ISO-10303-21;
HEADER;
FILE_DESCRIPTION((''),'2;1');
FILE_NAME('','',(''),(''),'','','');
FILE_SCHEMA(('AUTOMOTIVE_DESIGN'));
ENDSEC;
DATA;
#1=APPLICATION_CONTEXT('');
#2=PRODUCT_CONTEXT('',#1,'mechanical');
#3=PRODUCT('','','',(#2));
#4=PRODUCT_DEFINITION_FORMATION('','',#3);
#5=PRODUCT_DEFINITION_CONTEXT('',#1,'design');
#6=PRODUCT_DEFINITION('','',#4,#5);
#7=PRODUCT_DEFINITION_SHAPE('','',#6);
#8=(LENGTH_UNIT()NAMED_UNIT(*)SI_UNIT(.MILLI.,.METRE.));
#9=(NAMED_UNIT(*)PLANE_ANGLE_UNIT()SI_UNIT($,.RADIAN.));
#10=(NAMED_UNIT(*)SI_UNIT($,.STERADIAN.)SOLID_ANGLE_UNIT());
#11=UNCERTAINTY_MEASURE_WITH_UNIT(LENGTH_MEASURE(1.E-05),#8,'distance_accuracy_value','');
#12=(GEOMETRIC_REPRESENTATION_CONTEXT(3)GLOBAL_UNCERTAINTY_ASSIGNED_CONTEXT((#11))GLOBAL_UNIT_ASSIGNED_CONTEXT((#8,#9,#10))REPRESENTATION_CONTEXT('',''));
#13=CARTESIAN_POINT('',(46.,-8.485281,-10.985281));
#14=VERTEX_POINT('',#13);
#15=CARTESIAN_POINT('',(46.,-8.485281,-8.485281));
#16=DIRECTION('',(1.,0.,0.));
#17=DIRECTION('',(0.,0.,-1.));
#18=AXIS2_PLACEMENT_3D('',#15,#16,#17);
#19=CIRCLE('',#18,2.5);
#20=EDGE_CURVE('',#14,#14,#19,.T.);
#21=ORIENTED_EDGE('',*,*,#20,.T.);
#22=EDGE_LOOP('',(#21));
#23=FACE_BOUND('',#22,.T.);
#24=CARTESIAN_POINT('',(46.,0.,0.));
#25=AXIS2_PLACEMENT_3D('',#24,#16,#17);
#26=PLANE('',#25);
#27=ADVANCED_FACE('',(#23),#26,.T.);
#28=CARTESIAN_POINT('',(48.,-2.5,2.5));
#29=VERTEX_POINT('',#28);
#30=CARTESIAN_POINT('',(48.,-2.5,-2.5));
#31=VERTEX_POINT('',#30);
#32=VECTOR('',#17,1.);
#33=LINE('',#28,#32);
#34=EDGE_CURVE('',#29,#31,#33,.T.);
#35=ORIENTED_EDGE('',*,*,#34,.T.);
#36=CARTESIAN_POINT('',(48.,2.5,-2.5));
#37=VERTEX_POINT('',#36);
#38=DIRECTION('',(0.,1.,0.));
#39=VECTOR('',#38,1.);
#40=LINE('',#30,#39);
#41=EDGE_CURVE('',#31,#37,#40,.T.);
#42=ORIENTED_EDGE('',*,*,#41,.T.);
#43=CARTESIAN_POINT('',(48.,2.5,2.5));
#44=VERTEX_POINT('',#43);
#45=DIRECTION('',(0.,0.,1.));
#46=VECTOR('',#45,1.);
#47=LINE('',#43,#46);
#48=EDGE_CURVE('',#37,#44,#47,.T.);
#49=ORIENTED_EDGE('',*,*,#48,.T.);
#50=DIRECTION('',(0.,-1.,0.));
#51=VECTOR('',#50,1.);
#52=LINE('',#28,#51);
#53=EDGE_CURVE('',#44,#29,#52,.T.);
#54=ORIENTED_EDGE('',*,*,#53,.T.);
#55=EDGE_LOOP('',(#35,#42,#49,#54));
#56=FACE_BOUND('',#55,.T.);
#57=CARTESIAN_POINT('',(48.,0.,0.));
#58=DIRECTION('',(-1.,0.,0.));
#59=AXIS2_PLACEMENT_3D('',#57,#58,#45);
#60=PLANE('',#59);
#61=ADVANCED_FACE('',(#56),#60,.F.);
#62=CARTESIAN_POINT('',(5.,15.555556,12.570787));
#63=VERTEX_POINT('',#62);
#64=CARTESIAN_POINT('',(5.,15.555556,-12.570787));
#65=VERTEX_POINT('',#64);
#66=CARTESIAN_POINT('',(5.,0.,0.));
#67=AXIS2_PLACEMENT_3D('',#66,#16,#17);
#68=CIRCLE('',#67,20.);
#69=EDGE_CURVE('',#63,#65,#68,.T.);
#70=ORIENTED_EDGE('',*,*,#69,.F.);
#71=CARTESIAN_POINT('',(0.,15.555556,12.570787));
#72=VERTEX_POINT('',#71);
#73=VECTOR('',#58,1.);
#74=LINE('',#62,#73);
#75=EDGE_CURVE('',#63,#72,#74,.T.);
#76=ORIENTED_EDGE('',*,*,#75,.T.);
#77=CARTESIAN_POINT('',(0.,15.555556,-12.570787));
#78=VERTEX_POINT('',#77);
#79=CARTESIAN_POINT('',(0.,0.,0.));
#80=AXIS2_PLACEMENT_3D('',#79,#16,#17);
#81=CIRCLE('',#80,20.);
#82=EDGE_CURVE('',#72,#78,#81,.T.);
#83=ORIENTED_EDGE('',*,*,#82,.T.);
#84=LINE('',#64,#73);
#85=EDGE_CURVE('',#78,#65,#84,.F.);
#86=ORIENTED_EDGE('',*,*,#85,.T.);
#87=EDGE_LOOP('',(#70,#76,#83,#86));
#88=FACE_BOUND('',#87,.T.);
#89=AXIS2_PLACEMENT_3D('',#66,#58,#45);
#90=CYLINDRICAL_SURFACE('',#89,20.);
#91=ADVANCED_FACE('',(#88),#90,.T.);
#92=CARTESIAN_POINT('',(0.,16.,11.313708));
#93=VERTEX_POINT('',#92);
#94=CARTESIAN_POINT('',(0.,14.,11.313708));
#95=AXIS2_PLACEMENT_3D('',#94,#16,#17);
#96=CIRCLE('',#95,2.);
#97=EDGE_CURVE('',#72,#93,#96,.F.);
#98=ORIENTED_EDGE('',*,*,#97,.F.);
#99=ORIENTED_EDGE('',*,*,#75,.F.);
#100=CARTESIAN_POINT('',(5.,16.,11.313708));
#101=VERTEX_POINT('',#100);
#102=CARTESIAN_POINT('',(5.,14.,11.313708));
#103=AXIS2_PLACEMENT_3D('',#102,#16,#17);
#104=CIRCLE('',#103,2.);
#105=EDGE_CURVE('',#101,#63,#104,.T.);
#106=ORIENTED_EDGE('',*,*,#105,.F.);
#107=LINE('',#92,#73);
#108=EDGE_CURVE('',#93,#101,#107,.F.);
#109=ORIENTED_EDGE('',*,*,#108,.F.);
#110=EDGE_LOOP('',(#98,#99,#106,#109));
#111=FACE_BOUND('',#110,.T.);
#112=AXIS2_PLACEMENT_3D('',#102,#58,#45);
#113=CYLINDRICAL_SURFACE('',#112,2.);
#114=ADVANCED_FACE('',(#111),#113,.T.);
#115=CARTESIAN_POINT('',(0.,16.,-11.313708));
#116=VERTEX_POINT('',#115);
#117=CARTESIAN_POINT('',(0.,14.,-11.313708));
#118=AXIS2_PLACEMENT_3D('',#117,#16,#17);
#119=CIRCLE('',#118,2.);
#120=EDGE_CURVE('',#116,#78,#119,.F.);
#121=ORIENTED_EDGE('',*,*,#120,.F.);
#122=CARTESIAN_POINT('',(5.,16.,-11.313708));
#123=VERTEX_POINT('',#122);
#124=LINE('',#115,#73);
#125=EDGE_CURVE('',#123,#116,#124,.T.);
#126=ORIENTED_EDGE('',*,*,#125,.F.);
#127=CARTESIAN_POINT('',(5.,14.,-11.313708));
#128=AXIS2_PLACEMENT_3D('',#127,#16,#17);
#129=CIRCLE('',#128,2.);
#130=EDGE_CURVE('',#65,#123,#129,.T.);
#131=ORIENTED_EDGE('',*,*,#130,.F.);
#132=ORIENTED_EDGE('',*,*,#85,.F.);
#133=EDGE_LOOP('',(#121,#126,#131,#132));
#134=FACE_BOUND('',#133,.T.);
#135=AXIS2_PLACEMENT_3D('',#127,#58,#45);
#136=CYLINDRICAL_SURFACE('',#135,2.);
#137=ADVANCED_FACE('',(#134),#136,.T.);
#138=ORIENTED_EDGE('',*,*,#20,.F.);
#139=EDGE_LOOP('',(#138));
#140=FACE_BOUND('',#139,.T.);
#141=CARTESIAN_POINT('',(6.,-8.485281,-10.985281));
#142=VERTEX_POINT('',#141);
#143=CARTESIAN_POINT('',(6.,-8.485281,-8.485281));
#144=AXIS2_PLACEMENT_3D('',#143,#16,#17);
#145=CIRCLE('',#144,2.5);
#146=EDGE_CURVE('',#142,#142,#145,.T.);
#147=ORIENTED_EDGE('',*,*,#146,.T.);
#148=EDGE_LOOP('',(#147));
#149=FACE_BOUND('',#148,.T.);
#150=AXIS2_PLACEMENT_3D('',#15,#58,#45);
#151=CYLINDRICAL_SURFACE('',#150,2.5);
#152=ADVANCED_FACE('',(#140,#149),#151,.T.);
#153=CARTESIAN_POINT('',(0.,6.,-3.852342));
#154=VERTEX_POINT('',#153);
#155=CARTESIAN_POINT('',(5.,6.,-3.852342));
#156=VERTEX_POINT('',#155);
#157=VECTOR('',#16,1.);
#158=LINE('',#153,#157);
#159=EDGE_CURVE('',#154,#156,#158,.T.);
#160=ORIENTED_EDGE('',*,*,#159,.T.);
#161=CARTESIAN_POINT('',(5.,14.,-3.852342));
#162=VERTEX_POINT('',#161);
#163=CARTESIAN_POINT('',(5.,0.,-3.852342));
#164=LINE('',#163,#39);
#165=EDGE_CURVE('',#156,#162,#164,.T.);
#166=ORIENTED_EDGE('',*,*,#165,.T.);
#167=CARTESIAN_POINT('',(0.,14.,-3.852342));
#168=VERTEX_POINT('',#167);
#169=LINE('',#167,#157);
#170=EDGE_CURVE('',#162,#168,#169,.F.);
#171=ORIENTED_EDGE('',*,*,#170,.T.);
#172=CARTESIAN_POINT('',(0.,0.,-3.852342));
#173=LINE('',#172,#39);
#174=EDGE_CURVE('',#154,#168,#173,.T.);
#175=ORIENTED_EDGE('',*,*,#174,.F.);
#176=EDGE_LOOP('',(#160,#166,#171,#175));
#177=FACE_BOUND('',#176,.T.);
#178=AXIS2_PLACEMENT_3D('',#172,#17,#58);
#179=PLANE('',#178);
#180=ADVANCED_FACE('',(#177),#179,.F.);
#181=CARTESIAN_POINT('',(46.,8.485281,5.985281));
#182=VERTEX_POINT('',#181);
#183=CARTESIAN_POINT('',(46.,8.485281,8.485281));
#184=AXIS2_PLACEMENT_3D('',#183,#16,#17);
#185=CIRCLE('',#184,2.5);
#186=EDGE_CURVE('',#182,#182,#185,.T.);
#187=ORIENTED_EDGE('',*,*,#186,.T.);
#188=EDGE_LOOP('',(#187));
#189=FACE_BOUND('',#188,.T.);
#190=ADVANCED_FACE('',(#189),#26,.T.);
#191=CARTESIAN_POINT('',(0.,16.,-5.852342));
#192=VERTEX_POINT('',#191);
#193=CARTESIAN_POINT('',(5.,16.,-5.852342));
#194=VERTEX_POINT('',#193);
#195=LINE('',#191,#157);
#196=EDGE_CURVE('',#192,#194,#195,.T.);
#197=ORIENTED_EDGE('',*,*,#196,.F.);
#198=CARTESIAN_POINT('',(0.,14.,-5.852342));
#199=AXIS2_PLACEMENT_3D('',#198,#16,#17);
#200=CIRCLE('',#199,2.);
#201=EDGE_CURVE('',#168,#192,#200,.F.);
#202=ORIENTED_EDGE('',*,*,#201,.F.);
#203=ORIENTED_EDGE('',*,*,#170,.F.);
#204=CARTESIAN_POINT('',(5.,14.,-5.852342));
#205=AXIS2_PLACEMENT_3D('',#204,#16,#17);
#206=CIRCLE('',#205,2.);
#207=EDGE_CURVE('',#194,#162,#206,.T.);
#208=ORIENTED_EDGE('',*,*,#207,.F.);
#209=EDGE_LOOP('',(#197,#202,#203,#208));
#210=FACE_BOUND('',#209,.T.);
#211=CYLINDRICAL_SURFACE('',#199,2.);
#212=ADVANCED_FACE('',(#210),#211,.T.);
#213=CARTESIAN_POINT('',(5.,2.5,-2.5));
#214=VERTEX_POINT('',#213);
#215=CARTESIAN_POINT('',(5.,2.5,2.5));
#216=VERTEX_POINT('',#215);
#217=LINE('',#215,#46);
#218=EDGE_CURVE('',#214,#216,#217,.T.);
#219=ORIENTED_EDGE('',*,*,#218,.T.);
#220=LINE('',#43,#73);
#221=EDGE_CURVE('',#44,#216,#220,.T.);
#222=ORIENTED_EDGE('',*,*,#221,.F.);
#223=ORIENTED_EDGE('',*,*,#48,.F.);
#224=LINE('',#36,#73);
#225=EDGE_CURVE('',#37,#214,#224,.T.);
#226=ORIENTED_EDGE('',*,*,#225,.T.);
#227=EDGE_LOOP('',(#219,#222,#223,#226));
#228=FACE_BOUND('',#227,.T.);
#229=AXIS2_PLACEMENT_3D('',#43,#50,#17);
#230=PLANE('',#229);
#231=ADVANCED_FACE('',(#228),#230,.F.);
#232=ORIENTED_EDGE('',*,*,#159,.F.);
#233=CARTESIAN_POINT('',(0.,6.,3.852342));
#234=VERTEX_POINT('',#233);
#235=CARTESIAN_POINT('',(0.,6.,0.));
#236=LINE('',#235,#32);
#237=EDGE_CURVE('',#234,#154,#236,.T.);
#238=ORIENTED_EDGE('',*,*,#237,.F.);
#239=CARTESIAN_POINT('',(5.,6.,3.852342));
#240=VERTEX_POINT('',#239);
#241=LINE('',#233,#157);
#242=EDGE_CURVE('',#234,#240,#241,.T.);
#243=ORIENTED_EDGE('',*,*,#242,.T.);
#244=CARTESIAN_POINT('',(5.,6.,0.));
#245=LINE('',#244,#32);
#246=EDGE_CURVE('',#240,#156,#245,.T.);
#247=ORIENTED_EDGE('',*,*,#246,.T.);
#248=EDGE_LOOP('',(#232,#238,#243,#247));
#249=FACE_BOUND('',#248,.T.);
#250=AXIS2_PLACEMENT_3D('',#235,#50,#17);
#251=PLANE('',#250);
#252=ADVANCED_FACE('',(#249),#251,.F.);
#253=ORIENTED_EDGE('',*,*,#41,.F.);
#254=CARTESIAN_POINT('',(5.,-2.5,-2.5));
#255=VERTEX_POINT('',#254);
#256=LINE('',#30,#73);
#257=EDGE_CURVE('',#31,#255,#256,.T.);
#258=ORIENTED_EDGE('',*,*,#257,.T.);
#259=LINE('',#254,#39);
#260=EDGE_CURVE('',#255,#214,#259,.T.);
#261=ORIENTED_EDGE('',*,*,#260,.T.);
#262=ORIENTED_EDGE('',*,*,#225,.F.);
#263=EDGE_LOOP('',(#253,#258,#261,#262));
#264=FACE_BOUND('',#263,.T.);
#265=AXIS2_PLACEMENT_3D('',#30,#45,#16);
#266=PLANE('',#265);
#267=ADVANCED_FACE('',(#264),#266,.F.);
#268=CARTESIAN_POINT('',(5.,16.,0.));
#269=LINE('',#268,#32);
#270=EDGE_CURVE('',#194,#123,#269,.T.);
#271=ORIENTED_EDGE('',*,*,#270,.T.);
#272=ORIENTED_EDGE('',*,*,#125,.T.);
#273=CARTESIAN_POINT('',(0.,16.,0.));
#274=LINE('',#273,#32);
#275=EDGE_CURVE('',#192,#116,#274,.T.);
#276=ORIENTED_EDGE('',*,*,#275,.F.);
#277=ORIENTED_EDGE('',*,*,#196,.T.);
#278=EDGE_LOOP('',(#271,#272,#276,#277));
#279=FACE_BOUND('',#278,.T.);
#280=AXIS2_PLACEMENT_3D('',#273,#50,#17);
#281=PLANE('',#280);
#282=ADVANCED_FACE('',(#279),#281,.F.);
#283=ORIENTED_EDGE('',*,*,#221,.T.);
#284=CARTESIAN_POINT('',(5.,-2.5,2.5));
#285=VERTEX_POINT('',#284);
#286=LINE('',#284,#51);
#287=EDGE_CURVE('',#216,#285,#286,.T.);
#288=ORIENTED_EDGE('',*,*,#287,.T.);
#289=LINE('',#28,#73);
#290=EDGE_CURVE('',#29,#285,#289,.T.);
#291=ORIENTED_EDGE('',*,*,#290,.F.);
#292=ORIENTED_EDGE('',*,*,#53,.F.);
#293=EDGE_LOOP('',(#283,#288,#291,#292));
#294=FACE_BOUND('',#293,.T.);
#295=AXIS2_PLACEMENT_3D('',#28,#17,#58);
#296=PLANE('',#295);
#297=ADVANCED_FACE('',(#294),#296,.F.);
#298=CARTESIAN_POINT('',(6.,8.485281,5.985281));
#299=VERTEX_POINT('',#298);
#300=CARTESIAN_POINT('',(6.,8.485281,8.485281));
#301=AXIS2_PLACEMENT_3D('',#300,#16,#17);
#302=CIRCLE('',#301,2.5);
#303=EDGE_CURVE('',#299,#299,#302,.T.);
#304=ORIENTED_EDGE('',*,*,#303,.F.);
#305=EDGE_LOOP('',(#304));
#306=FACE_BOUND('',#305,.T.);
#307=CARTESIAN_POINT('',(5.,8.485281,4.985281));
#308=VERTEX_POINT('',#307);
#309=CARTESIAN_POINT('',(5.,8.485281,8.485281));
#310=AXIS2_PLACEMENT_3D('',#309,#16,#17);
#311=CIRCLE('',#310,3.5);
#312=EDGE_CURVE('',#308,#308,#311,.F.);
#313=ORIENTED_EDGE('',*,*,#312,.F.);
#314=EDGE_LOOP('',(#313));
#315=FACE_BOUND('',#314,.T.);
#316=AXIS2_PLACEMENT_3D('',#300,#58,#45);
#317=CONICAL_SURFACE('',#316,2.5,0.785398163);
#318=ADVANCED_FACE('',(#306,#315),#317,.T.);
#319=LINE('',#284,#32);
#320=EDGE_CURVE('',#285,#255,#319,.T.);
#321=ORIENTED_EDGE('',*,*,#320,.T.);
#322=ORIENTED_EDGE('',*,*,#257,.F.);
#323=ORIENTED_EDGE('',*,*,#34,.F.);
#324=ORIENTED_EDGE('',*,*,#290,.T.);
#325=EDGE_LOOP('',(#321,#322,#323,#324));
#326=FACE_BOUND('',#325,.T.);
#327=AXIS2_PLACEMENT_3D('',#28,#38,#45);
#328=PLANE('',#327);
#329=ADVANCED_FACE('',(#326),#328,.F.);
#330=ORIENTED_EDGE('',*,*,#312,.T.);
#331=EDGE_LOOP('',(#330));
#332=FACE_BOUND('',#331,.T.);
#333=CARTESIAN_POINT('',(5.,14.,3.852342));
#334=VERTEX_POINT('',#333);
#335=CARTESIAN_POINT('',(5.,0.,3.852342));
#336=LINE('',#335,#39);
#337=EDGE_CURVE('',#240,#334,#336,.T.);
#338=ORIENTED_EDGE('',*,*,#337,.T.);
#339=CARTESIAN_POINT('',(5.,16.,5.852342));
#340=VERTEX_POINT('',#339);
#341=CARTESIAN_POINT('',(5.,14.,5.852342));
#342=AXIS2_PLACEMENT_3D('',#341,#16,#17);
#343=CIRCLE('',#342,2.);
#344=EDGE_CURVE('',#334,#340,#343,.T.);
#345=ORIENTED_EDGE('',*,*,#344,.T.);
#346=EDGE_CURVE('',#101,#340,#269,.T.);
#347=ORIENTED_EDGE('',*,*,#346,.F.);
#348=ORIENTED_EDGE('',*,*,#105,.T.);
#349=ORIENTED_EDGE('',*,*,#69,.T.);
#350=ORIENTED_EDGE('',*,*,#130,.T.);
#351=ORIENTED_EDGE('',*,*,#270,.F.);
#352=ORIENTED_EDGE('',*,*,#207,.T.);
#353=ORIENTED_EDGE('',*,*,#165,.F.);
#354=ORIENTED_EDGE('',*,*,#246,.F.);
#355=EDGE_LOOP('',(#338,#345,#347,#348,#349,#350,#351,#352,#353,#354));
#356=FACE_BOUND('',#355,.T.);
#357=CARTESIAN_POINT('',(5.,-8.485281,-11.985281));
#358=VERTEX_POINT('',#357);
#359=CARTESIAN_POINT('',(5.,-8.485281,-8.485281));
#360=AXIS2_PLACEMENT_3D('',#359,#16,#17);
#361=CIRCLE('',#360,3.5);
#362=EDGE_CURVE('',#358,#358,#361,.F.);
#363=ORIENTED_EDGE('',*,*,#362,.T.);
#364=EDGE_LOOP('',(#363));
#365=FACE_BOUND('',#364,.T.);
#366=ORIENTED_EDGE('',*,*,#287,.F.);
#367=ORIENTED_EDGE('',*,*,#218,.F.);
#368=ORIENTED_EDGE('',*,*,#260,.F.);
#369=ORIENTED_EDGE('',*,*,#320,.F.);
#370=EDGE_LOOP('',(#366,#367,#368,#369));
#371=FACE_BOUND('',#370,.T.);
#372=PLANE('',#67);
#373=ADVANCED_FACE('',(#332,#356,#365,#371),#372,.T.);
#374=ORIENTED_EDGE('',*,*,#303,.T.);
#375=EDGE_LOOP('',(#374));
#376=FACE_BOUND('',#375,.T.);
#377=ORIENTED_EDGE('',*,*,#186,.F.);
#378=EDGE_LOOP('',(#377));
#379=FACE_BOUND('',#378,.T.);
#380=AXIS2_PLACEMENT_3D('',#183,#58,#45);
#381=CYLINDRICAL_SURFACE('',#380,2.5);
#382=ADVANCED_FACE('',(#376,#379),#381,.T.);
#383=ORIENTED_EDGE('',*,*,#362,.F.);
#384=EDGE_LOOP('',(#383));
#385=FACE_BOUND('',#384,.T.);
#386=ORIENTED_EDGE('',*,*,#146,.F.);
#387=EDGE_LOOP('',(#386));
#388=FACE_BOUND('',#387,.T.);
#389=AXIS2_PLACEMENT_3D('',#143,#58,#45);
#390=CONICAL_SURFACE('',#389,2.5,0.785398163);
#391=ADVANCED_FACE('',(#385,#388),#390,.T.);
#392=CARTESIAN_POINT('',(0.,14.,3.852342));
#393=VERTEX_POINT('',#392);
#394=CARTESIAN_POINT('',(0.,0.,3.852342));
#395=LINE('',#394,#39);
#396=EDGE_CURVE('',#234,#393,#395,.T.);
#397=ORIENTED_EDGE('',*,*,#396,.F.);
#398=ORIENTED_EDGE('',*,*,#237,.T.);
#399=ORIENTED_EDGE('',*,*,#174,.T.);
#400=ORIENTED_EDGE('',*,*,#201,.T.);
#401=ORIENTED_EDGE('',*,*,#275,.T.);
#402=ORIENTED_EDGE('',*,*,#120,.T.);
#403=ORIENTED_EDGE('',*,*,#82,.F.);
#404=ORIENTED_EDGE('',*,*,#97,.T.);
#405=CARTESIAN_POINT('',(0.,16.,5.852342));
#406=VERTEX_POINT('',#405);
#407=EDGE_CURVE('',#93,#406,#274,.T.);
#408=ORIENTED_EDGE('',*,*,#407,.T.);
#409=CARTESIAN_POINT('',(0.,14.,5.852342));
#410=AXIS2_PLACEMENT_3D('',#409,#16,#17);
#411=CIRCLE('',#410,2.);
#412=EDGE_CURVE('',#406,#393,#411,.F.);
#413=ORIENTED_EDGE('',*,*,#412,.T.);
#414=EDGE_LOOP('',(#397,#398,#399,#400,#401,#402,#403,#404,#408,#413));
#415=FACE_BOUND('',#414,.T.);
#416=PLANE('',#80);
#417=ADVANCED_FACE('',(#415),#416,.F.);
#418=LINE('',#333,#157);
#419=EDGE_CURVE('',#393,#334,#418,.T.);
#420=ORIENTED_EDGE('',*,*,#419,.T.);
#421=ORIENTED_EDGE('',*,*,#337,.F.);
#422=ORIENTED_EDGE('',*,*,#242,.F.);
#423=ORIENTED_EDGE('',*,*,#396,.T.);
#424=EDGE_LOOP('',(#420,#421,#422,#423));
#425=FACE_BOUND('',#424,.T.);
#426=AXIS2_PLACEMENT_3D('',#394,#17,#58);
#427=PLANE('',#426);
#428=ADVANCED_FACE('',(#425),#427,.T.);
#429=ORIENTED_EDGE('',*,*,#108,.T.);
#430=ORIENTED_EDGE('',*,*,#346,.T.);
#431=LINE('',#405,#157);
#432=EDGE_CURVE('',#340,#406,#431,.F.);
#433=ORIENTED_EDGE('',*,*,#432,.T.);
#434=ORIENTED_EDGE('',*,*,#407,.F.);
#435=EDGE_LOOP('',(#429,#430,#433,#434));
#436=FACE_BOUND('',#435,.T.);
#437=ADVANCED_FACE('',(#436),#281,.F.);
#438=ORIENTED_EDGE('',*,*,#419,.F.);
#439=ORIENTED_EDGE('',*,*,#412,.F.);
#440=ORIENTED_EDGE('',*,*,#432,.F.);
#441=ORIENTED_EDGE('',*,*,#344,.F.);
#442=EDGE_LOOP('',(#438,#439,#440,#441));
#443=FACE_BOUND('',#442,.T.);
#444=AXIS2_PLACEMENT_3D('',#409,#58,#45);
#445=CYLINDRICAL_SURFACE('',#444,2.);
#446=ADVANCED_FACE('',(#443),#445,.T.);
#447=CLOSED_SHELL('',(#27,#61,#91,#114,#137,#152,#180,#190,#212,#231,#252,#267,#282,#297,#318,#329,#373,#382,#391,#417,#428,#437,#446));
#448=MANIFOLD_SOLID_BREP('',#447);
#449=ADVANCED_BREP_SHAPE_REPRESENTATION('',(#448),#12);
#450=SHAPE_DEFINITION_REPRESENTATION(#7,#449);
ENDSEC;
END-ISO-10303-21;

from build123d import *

# Parameters (mm, degrees)
SKETCH2_R           = 20
BOSS_EXTRUDE2_DEPTH = 5
SKETCH3_W           = 5
SKETCH3_H           = 5
BOSS_EXTRUDE3_DEPTH = 43
SKETCH4_R           = 2.5
BOSS_EXTRUDE4_DEPTH = 41
SKETCH5_W           = 7.704684196
SKETCH5_H           = 10
CUT_EXTRUDE1_DEPTH  = 6
FILLET1_R           = 2
CHAMFER1_SIZE       = 1


with BuildPart() as part:
    # Sketch2 → Boss-Extrude2 (new body)
    with BuildSketch(Plane(origin=(0, 0, 0), x_dir=(0, 0, -1), z_dir=(1, 0, 0))):
        Circle(SKETCH2_R)
    extrude(amount=BOSS_EXTRUDE2_DEPTH)

    # Sketch3 → Boss-Extrude3 (add)
    with BuildSketch(Plane(origin=(5, 0, 0), x_dir=(0, 0, -1), z_dir=(1, 0, 0))):
        Rectangle(SKETCH3_W, SKETCH3_H)
    extrude(amount=BOSS_EXTRUDE3_DEPTH)

    # Sketch4 → Boss-Extrude4 (add)
    with BuildSketch(Plane(origin=(5, 0, 0), x_dir=(0, 0, -1), z_dir=(1, 0, 0))):
        with Locations((-8.485281374, 8.485281374)):
            Circle(SKETCH4_R)
        with Locations((8.485281374, -8.485281374)):
            Circle(SKETCH4_R)
    extrude(amount=BOSS_EXTRUDE4_DEPTH)

    # Sketch5 → Cut-Extrude1 (cut, through all)
    with BuildSketch(Plane(origin=(5, 0, 0), x_dir=(0, 0, -1), z_dir=(1, 0, 0))):
        with BuildLine():
            Line((-12, 16), (-3.852342098, 16))
            Line((-3.852342098, 16), (-3.852342098, 19.625479876))
            ThreePointArc((-3.852342098, 19.625479876), (-8.130818752, 18.272651324), (-12, 16))
        make_face()
        with BuildLine():
            Line((-3.852342098, 19.625479876), (-3.852342098, 16))
            Line((-3.852342098, 16), (3.852342098, 16))
            Line((3.852342098, 16), (3.852342098, 19.625479876))
            ThreePointArc((3.852342098, 19.625479876), (1.935252254, 19.906149771), (2.3e-08, 20))
            ThreePointArc((2.3e-08, 20), (-1.935252231, 19.906149773), (-3.852342098, 19.625479876))
        make_face()
        with BuildLine():
            Line((3.852342098, 19.625479876), (3.852342098, 16))
            Line((3.852342098, 16), (12, 16))
            ThreePointArc((12, 16), (8.130818752, 18.272651324), (3.852342098, 19.625479876))
        make_face()
        with Locations((0, 11)):
            Rectangle(SKETCH5_W, SKETCH5_H)
    extrude(amount=-CUT_EXTRUDE1_DEPTH, mode=Mode.SUBTRACT)

    # Fillet1
    fillet1_edges = [part.edges().sort_by_distance(p)[0] for p in [
        (2.5, 16, 12),
        (2.5, 16, -12),
        (2.5, 16, -3.852342098),
        (2.5, 16, 3.852342098),
    ]]
    fillet(fillet1_edges, radius=FILLET1_R)

    # Chamfer1
    chamfer1_edges = [part.edges().sort_by_distance(p)[0] for p in [
        (5, 8.485281374, 10.985281374),
        (5, -8.485281374, -5.985281374),
    ]]
    chamfer(chamfer1_edges, length=CHAMFER1_SIZE)


solid = part.part
